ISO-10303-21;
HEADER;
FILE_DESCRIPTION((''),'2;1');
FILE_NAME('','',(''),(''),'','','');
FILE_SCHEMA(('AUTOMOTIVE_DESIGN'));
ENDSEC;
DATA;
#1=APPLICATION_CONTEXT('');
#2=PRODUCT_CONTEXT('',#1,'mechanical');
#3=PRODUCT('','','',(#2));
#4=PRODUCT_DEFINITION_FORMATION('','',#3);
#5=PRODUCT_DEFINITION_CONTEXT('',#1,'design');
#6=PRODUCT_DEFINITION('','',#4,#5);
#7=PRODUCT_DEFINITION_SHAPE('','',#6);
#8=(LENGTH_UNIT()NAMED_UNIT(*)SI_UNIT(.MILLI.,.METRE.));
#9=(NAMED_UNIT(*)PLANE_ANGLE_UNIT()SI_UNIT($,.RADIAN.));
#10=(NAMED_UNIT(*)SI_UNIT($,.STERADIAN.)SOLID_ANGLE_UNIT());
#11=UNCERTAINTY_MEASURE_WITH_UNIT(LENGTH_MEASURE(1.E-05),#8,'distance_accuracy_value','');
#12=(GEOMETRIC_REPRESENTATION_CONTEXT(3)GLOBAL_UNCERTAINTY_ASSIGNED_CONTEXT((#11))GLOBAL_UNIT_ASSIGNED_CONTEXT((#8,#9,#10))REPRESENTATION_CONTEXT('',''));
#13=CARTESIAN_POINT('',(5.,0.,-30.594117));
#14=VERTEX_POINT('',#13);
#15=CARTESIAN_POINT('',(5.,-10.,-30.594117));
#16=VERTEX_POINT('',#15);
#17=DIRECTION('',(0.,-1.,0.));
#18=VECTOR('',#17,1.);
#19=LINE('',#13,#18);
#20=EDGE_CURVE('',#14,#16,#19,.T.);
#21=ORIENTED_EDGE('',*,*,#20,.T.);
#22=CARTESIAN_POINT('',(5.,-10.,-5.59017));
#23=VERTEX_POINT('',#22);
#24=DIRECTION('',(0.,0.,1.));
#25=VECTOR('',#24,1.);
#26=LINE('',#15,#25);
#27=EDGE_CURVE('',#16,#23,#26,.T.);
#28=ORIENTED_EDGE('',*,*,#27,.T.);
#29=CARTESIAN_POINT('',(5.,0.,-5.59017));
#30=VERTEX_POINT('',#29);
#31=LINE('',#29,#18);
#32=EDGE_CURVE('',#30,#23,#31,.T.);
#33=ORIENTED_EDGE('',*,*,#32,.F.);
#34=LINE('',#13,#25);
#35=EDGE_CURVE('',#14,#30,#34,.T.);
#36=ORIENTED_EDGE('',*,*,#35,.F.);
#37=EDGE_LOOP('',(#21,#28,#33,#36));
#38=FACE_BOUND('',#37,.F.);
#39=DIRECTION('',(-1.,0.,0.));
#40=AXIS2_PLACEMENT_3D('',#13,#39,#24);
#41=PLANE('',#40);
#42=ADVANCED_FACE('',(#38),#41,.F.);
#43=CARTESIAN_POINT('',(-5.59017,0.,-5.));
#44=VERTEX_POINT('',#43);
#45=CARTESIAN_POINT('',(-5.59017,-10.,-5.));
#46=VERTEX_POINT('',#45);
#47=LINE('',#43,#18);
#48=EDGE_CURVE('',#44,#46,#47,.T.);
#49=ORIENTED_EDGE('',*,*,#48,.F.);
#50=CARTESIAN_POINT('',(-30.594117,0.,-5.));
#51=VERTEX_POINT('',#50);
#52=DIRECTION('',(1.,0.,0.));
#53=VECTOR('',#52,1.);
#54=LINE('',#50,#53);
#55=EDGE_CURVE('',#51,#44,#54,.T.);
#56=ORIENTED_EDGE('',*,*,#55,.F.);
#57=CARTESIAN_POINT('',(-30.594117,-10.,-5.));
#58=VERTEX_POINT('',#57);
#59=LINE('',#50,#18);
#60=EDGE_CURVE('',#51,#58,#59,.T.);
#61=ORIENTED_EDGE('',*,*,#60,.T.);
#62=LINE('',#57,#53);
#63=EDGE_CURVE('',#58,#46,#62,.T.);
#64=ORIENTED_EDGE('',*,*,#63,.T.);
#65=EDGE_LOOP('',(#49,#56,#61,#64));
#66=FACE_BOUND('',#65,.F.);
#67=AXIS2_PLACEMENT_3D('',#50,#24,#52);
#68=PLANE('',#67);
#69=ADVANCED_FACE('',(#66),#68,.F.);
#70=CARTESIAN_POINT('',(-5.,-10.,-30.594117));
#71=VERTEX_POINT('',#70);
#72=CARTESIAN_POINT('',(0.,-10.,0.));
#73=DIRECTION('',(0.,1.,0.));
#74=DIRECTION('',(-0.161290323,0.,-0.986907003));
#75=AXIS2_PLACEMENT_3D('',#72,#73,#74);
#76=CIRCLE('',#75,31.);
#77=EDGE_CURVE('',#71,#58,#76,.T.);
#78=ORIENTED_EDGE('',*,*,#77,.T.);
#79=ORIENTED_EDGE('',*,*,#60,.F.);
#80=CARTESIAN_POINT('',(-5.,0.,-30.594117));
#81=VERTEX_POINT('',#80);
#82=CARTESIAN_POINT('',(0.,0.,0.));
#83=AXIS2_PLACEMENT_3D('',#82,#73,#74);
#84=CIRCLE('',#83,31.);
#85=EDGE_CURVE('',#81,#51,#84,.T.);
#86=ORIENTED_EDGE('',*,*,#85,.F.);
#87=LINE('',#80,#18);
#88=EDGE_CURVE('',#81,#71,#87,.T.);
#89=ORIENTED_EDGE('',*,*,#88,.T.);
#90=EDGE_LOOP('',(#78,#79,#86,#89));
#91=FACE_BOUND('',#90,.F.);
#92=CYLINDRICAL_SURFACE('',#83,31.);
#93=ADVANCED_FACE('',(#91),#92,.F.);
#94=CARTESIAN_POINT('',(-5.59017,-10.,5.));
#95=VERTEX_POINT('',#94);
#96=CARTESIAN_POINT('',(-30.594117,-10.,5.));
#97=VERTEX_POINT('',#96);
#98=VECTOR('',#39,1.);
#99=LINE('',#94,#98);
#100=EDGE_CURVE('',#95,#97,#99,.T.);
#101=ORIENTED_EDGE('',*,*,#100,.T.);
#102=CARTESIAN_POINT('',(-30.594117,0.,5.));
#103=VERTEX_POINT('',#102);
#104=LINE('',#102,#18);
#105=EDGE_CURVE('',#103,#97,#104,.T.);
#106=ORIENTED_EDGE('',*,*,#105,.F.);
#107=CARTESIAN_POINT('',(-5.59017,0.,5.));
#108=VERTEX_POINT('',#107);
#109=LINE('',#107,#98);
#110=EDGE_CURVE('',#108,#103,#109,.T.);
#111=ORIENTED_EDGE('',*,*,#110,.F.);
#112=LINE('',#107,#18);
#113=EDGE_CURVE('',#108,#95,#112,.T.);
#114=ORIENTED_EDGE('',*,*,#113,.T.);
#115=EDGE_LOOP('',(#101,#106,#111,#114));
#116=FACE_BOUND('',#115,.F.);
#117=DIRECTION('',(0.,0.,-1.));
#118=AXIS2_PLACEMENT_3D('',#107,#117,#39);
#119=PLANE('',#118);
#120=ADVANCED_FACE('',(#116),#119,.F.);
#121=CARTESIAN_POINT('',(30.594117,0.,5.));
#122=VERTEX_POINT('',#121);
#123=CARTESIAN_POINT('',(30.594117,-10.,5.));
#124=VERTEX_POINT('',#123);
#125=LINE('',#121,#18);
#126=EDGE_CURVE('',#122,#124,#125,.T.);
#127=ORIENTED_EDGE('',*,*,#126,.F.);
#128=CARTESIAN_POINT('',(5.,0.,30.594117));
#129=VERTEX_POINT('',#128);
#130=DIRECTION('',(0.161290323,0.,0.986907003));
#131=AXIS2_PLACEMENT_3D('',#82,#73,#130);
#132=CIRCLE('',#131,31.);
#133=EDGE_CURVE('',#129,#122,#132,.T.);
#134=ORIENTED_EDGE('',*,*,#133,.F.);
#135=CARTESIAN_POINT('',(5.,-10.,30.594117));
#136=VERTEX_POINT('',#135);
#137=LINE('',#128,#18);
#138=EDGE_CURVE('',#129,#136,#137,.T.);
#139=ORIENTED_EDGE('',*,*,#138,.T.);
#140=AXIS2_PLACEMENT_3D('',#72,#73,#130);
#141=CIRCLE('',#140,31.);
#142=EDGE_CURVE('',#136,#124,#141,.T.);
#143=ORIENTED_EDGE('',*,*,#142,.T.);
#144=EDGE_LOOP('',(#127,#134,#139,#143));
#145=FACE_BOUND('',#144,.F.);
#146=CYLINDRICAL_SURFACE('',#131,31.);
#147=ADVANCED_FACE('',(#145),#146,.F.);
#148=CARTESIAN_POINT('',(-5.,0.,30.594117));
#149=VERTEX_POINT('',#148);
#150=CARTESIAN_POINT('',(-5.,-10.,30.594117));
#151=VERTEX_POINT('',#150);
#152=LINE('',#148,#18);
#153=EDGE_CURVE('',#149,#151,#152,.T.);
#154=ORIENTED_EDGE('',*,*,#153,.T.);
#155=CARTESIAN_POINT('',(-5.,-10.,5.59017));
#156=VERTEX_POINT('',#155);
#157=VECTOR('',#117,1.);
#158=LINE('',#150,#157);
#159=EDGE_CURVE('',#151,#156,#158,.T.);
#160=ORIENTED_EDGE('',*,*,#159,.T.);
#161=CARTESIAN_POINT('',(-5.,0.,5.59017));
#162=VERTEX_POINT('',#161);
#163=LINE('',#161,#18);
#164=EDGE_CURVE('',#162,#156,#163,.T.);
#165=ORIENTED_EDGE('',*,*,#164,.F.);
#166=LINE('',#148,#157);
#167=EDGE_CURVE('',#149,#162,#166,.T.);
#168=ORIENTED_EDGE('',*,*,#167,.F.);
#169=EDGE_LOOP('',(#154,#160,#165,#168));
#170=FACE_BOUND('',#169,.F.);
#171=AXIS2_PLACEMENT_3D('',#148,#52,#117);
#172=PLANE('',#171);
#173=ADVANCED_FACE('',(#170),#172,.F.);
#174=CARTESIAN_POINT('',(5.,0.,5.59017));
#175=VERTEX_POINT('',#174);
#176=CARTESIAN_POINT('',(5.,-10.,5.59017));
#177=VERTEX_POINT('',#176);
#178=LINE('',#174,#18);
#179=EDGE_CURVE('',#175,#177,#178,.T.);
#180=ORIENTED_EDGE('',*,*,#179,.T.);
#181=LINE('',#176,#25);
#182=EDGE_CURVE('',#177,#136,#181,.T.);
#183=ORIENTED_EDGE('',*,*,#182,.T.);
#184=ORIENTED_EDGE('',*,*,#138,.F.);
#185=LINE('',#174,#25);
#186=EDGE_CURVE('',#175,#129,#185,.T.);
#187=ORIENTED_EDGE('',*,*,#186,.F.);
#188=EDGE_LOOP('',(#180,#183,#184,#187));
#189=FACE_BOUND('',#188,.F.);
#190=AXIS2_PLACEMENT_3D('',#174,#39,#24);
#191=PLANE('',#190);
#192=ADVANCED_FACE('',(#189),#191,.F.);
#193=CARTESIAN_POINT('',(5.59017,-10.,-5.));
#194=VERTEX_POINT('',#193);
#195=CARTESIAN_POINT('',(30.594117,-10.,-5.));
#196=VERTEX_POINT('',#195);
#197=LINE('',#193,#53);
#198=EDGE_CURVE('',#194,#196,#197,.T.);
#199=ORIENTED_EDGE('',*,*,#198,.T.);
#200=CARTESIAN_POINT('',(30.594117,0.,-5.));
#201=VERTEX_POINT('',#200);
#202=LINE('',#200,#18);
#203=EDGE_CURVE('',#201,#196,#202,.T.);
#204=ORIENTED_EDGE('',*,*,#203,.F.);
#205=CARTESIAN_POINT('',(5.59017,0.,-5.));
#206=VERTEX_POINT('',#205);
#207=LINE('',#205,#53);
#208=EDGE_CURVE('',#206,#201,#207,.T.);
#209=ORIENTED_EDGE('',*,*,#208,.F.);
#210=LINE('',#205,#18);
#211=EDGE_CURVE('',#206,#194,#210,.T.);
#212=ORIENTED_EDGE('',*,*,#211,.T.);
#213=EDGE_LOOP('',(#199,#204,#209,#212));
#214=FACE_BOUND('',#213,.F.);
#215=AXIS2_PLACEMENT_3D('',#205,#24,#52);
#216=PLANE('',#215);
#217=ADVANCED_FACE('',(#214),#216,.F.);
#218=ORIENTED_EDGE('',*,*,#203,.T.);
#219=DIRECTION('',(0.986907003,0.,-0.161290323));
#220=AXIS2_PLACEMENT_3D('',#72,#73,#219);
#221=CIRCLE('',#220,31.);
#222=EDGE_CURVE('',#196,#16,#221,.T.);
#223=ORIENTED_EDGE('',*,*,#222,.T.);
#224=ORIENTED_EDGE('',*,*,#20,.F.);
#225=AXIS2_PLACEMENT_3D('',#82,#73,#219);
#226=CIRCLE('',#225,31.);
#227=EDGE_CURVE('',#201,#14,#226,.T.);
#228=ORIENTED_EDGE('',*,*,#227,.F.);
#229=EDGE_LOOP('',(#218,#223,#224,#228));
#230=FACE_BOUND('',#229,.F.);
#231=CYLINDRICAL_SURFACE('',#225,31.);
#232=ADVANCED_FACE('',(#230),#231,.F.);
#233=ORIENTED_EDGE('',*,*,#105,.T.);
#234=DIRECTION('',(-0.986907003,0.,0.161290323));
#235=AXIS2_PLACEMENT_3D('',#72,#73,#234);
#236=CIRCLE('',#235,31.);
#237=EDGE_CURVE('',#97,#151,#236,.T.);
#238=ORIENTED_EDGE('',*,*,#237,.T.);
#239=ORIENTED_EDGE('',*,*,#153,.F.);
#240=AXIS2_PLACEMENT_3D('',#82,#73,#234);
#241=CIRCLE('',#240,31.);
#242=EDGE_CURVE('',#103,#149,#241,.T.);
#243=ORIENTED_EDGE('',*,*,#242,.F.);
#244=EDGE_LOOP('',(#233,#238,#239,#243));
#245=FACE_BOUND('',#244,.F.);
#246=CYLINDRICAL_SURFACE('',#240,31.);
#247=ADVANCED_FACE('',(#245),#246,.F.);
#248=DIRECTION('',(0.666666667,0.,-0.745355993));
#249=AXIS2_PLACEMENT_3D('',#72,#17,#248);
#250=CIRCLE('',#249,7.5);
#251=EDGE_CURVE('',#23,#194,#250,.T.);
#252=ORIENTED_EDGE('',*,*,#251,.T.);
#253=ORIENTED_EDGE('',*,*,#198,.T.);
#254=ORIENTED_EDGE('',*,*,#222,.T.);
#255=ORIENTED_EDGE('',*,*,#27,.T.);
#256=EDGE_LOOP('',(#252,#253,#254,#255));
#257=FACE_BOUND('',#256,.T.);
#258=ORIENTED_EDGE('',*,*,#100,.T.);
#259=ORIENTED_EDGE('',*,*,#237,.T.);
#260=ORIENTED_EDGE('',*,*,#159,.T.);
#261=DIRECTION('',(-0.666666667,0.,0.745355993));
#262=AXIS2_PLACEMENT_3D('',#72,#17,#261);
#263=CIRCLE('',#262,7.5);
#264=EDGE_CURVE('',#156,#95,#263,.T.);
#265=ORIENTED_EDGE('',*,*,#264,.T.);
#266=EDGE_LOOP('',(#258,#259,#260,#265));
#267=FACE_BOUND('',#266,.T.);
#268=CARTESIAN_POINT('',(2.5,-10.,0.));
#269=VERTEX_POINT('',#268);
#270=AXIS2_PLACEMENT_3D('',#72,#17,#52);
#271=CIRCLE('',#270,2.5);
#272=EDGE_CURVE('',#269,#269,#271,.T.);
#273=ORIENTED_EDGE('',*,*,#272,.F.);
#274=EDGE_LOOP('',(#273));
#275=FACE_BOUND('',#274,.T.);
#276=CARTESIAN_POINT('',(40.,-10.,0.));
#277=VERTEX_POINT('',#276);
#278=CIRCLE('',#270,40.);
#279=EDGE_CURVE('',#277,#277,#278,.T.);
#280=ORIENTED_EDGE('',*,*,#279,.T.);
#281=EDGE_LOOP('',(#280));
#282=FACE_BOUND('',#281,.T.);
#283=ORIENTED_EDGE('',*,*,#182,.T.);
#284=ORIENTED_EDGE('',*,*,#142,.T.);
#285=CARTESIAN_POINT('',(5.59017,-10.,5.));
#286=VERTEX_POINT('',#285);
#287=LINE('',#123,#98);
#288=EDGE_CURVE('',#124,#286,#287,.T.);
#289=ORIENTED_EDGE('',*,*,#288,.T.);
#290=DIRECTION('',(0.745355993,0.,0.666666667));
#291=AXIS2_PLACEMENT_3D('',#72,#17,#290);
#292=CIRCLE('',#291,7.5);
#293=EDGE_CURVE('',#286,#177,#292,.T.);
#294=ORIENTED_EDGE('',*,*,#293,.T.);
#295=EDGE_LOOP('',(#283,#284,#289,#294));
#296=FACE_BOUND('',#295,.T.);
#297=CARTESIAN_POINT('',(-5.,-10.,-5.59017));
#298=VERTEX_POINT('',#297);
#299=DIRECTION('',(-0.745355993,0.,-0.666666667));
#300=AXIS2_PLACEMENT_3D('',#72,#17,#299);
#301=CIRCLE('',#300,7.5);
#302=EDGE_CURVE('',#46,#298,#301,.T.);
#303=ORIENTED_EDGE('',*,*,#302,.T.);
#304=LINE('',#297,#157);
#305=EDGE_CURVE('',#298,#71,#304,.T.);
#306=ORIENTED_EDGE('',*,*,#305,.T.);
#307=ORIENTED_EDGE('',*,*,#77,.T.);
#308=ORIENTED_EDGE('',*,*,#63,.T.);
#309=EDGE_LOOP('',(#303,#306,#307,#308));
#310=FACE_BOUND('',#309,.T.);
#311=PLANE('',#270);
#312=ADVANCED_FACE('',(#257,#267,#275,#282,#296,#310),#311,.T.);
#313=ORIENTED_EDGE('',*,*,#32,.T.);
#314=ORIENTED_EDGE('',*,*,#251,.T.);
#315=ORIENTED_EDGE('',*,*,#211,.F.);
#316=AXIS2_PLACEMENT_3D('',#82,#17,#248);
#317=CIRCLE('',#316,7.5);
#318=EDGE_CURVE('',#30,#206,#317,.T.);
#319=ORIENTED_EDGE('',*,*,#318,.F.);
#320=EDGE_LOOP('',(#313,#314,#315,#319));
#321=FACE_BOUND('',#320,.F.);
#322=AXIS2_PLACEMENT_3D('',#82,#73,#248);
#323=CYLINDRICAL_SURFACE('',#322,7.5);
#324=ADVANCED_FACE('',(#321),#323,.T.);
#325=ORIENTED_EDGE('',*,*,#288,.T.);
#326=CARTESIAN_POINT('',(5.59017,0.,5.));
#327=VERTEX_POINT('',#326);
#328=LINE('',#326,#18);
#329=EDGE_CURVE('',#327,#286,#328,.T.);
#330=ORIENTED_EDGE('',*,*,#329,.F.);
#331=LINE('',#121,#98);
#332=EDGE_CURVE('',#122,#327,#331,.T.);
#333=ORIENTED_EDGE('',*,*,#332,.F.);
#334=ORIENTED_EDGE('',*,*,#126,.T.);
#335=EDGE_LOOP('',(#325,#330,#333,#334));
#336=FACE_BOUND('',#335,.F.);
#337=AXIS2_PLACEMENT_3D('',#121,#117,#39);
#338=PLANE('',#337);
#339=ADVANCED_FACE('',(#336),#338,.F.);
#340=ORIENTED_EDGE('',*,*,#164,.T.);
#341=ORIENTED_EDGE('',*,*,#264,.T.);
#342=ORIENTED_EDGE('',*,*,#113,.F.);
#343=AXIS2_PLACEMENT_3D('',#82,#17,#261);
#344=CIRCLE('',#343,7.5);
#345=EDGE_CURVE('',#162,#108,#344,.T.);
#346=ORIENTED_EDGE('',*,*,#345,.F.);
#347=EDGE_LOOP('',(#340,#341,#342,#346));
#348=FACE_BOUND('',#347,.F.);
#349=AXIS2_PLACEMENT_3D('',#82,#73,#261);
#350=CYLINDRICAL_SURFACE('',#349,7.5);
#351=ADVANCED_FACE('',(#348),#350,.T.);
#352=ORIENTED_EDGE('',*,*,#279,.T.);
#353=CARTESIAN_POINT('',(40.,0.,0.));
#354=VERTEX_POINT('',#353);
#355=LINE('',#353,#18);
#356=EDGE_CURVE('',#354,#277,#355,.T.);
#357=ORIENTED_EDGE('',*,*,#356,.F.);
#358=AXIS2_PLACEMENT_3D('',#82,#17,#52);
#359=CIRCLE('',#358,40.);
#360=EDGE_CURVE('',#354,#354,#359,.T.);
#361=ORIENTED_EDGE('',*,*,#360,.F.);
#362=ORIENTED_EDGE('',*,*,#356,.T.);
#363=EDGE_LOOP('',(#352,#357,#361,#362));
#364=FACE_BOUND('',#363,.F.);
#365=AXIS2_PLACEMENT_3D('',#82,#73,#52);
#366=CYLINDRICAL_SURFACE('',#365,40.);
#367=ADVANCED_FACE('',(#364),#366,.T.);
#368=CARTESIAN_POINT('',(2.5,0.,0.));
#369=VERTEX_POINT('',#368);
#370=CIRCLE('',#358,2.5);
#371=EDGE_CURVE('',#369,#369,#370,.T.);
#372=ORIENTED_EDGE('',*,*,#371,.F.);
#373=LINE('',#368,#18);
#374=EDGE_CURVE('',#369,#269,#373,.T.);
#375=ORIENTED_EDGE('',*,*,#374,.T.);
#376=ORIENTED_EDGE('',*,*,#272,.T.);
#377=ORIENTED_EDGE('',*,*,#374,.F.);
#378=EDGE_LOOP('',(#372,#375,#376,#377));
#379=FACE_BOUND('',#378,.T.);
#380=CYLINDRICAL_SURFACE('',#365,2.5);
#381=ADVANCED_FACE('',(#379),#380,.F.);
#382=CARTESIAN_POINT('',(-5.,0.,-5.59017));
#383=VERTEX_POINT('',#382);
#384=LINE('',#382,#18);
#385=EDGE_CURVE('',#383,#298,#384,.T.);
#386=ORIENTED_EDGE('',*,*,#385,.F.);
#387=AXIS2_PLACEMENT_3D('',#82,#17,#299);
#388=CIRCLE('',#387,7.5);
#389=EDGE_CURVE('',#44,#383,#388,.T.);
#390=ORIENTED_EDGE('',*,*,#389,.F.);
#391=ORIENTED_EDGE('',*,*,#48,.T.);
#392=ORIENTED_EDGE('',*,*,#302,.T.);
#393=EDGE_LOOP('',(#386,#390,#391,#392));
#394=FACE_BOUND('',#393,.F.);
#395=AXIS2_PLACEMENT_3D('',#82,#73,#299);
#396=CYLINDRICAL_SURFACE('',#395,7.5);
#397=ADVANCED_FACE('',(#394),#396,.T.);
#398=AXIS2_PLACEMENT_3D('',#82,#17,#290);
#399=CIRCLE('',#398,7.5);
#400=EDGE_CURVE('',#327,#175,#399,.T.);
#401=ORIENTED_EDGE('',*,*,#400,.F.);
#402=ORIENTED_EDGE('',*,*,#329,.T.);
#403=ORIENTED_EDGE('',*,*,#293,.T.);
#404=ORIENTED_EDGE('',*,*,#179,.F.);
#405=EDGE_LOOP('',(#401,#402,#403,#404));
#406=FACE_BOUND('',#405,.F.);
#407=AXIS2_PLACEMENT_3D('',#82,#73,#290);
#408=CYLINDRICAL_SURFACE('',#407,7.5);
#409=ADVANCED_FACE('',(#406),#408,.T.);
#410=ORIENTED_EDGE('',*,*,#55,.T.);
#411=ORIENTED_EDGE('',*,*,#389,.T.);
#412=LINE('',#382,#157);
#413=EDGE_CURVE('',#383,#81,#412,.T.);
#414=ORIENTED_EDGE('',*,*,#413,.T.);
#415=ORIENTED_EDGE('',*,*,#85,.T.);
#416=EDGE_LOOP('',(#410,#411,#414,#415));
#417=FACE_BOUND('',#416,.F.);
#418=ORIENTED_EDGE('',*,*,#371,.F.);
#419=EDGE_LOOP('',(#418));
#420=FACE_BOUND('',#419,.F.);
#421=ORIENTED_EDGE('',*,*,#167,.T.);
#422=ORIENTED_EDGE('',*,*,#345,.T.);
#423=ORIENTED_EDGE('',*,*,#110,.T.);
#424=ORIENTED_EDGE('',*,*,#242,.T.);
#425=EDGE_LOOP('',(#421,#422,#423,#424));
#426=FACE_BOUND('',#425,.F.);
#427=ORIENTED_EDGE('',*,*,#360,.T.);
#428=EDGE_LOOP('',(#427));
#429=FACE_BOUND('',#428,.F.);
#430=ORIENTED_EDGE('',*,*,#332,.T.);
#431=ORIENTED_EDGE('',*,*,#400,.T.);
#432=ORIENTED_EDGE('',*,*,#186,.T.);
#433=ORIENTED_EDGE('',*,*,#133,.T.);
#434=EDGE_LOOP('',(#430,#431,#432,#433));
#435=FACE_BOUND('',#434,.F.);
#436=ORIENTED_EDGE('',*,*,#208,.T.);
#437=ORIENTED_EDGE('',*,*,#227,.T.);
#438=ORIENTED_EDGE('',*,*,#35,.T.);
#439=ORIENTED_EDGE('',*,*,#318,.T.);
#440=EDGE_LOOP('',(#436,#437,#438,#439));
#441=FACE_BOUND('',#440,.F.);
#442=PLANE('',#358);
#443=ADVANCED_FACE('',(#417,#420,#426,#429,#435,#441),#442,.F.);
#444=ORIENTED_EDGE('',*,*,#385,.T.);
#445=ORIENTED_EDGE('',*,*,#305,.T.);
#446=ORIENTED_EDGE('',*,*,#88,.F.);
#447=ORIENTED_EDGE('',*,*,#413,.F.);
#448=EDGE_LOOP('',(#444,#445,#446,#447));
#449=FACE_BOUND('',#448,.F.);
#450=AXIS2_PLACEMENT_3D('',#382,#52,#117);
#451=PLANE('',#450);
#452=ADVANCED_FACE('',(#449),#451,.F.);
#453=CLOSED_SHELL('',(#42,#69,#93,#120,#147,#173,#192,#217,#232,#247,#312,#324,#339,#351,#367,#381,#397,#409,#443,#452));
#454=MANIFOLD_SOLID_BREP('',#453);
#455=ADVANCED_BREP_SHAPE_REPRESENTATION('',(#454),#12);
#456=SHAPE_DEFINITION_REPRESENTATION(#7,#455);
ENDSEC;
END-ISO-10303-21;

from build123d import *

# Parameters (mm, degrees)
F0_R     = 40
F0_R_2   = 2.5
F1_DEPTH = 10


with BuildPart() as f1:
    # F0 (on Front) → F1 (new body)
    with BuildSketch(Plane.XZ):
        Circle(F0_R)
        with BuildLine():
            Line((-30.5941170816, -5), (-5.5901699437, -5))
            ThreePointArc((-5.5901699437, -5), (-5.3033008589, -5.3033008589), (-5, -5.5901699437))
            Line((-5, -5.5901699437), (-5, -30.5941170816))
            ThreePointArc((-5, -30.5941170816), (-21.9203102168, -21.9203102168), (-30.5941170816, -5))
        make_face(mode=Mode.SUBTRACT)
        with BuildLine():
            ThreePointArc((5, -5.5901699437), (5.3033008589, -5.3033008589), (5.5901699437, -5))
            Line((5.5901699437, -5), (30.5941170816, -5))
            ThreePointArc((30.5941170816, -5), (21.9203102168, -21.9203102168), (5, -30.5941170816))
            Line((5, -30.5941170816), (5, -5.5901699437))
        make_face(mode=Mode.SUBTRACT)
        with BuildLine():
            ThreePointArc((-30.5941170816, 5), (-21.9203102168, 21.9203102168), (-5, 30.5941170816))
            Line((-5, 30.5941170816), (-5, 5.5901699437))
            ThreePointArc((-5, 5.5901699437), (-5.3033008589, 5.3033008589), (-5.5901699437, 5))
            Line((-5.5901699437, 5), (-30.5941170816, 5))
        make_face(mode=Mode.SUBTRACT)
        Circle(F0_R_2, mode=Mode.SUBTRACT)
        with BuildLine():
            Line((30.5941170816, 5), (5.5901699437, 5))
            ThreePointArc((5.5901699437, 5), (5.3033008589, 5.3033008589), (5, 5.5901699437))
            Line((5, 5.5901699437), (5, 30.5941170816))
            ThreePointArc((5, 30.5941170816), (21.9203102168, 21.9203102168), (30.5941170816, 5))
        make_face(mode=Mode.SUBTRACT)
    extrude(amount=F1_DEPTH)


solid = f1.part
